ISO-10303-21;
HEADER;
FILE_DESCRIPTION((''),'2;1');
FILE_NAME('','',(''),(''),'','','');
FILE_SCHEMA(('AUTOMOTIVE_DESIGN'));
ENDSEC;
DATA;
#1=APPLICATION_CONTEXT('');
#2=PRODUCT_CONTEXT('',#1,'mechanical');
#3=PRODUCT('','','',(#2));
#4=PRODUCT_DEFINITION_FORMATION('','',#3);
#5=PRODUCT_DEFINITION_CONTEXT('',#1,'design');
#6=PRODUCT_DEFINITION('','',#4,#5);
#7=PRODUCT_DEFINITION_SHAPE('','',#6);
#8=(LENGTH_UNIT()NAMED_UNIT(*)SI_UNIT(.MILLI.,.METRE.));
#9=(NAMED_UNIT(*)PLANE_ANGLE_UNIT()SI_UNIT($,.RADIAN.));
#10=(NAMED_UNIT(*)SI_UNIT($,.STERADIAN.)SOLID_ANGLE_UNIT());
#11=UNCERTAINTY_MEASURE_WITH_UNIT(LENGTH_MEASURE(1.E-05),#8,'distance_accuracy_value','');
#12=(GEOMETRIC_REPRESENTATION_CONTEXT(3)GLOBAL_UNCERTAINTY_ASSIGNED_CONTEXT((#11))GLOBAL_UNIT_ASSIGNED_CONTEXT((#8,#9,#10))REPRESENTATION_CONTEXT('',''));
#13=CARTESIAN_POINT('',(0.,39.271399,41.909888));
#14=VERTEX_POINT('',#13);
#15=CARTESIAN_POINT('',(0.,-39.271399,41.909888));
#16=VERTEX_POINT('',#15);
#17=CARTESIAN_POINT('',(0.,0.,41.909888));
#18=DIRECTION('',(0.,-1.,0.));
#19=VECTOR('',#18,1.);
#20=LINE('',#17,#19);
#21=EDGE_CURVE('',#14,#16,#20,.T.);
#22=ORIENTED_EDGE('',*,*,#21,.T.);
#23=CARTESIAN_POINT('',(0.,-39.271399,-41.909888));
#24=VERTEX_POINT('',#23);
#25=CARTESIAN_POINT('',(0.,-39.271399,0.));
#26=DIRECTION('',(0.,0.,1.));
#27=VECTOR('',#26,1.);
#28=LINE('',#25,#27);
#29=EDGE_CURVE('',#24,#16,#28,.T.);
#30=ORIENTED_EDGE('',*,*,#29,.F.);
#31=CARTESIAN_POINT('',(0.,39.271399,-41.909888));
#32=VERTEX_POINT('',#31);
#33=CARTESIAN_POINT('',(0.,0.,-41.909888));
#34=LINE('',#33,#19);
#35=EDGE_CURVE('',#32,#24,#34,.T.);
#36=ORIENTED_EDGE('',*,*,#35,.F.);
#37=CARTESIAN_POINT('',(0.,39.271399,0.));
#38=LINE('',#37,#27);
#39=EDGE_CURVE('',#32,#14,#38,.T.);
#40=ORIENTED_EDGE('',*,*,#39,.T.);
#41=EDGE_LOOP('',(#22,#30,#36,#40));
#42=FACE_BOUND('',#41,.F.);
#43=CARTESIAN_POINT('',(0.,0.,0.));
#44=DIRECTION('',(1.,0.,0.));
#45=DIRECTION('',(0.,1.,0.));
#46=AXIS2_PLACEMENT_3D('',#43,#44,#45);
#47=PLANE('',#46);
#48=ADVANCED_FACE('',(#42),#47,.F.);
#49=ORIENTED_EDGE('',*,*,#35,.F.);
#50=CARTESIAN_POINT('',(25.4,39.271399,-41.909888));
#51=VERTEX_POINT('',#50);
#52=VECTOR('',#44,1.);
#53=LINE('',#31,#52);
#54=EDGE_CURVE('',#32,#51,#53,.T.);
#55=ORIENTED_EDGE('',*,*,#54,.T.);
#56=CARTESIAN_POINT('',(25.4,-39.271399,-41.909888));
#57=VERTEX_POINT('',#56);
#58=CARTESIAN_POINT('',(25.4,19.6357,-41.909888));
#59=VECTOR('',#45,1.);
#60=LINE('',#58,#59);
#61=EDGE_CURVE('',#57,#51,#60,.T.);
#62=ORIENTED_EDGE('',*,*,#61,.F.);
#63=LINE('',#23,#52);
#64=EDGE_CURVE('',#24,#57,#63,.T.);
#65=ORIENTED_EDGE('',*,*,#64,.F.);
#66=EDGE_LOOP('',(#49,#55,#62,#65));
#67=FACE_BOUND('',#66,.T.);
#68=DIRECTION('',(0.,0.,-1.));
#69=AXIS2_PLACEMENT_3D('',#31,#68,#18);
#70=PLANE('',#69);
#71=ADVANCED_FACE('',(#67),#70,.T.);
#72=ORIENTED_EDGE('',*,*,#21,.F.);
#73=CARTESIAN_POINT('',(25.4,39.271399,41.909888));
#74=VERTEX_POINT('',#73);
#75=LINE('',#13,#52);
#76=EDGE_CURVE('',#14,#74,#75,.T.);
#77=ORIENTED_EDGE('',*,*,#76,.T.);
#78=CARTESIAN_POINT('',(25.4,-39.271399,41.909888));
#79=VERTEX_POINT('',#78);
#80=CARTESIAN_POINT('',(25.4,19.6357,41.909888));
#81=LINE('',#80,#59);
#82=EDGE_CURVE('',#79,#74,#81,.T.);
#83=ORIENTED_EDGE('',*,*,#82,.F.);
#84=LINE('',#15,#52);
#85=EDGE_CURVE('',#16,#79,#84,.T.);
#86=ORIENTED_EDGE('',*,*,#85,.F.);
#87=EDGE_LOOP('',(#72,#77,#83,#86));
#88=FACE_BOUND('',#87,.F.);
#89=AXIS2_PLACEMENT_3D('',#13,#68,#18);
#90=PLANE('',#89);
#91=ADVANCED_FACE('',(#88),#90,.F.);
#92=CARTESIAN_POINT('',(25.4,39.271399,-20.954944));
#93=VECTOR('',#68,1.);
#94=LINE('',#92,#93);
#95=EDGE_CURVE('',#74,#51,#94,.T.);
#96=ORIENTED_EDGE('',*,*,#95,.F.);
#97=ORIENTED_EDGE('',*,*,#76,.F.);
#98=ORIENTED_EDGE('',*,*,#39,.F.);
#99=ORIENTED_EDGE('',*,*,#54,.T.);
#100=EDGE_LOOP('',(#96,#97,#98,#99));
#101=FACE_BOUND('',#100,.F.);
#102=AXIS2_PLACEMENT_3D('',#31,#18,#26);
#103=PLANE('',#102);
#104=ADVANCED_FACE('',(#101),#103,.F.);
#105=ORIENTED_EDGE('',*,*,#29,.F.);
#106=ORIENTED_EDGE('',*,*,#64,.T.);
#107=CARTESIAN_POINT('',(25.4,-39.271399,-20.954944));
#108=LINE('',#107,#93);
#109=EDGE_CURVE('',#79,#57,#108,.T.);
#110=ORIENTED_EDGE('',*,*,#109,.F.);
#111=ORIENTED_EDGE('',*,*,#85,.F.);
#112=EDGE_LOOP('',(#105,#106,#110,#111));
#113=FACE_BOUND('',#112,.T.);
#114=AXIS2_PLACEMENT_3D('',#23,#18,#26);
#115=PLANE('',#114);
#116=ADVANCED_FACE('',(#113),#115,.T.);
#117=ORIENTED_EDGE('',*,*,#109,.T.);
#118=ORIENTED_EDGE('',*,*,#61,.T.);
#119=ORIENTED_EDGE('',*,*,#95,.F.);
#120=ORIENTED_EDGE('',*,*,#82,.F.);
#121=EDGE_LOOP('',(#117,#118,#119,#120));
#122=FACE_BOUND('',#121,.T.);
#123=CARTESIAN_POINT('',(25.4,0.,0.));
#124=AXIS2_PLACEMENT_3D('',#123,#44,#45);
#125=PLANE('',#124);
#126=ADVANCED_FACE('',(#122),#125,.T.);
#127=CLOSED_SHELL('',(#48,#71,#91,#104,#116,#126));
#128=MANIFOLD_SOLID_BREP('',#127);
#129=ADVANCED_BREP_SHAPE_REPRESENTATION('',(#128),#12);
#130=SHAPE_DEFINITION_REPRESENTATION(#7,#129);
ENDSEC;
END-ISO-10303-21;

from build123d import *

# Parameters (mm, degrees)
F0_W     = 90.17267
F0_H     = 92.389152
F1_DEPTH = 25.4
F2_W     = 90.17267
F2_H     = 92.389152
F2_W_2   = 78.542798
F2_H_2   = 83.819776
F3_DEPTH = 63.5


with BuildPart() as f1:
    # F0 (on Right) → F1 (new body)
    with BuildSketch(Plane.YZ):
        Rectangle(F0_W, F0_H)
    extrude(amount=F1_DEPTH)

    # F2 (on face) → F3 (cut)
    with BuildSketch(Plane(origin=(0, 0, 0), x_dir=(0, -1, 0), z_dir=(-1, 0, 0))):
        Rectangle(F2_W, F2_H)
        Rectangle(F2_W_2, F2_H_2, mode=Mode.SUBTRACT)
    extrude(amount=-F3_DEPTH, mode=Mode.SUBTRACT)


solid = f1.part
